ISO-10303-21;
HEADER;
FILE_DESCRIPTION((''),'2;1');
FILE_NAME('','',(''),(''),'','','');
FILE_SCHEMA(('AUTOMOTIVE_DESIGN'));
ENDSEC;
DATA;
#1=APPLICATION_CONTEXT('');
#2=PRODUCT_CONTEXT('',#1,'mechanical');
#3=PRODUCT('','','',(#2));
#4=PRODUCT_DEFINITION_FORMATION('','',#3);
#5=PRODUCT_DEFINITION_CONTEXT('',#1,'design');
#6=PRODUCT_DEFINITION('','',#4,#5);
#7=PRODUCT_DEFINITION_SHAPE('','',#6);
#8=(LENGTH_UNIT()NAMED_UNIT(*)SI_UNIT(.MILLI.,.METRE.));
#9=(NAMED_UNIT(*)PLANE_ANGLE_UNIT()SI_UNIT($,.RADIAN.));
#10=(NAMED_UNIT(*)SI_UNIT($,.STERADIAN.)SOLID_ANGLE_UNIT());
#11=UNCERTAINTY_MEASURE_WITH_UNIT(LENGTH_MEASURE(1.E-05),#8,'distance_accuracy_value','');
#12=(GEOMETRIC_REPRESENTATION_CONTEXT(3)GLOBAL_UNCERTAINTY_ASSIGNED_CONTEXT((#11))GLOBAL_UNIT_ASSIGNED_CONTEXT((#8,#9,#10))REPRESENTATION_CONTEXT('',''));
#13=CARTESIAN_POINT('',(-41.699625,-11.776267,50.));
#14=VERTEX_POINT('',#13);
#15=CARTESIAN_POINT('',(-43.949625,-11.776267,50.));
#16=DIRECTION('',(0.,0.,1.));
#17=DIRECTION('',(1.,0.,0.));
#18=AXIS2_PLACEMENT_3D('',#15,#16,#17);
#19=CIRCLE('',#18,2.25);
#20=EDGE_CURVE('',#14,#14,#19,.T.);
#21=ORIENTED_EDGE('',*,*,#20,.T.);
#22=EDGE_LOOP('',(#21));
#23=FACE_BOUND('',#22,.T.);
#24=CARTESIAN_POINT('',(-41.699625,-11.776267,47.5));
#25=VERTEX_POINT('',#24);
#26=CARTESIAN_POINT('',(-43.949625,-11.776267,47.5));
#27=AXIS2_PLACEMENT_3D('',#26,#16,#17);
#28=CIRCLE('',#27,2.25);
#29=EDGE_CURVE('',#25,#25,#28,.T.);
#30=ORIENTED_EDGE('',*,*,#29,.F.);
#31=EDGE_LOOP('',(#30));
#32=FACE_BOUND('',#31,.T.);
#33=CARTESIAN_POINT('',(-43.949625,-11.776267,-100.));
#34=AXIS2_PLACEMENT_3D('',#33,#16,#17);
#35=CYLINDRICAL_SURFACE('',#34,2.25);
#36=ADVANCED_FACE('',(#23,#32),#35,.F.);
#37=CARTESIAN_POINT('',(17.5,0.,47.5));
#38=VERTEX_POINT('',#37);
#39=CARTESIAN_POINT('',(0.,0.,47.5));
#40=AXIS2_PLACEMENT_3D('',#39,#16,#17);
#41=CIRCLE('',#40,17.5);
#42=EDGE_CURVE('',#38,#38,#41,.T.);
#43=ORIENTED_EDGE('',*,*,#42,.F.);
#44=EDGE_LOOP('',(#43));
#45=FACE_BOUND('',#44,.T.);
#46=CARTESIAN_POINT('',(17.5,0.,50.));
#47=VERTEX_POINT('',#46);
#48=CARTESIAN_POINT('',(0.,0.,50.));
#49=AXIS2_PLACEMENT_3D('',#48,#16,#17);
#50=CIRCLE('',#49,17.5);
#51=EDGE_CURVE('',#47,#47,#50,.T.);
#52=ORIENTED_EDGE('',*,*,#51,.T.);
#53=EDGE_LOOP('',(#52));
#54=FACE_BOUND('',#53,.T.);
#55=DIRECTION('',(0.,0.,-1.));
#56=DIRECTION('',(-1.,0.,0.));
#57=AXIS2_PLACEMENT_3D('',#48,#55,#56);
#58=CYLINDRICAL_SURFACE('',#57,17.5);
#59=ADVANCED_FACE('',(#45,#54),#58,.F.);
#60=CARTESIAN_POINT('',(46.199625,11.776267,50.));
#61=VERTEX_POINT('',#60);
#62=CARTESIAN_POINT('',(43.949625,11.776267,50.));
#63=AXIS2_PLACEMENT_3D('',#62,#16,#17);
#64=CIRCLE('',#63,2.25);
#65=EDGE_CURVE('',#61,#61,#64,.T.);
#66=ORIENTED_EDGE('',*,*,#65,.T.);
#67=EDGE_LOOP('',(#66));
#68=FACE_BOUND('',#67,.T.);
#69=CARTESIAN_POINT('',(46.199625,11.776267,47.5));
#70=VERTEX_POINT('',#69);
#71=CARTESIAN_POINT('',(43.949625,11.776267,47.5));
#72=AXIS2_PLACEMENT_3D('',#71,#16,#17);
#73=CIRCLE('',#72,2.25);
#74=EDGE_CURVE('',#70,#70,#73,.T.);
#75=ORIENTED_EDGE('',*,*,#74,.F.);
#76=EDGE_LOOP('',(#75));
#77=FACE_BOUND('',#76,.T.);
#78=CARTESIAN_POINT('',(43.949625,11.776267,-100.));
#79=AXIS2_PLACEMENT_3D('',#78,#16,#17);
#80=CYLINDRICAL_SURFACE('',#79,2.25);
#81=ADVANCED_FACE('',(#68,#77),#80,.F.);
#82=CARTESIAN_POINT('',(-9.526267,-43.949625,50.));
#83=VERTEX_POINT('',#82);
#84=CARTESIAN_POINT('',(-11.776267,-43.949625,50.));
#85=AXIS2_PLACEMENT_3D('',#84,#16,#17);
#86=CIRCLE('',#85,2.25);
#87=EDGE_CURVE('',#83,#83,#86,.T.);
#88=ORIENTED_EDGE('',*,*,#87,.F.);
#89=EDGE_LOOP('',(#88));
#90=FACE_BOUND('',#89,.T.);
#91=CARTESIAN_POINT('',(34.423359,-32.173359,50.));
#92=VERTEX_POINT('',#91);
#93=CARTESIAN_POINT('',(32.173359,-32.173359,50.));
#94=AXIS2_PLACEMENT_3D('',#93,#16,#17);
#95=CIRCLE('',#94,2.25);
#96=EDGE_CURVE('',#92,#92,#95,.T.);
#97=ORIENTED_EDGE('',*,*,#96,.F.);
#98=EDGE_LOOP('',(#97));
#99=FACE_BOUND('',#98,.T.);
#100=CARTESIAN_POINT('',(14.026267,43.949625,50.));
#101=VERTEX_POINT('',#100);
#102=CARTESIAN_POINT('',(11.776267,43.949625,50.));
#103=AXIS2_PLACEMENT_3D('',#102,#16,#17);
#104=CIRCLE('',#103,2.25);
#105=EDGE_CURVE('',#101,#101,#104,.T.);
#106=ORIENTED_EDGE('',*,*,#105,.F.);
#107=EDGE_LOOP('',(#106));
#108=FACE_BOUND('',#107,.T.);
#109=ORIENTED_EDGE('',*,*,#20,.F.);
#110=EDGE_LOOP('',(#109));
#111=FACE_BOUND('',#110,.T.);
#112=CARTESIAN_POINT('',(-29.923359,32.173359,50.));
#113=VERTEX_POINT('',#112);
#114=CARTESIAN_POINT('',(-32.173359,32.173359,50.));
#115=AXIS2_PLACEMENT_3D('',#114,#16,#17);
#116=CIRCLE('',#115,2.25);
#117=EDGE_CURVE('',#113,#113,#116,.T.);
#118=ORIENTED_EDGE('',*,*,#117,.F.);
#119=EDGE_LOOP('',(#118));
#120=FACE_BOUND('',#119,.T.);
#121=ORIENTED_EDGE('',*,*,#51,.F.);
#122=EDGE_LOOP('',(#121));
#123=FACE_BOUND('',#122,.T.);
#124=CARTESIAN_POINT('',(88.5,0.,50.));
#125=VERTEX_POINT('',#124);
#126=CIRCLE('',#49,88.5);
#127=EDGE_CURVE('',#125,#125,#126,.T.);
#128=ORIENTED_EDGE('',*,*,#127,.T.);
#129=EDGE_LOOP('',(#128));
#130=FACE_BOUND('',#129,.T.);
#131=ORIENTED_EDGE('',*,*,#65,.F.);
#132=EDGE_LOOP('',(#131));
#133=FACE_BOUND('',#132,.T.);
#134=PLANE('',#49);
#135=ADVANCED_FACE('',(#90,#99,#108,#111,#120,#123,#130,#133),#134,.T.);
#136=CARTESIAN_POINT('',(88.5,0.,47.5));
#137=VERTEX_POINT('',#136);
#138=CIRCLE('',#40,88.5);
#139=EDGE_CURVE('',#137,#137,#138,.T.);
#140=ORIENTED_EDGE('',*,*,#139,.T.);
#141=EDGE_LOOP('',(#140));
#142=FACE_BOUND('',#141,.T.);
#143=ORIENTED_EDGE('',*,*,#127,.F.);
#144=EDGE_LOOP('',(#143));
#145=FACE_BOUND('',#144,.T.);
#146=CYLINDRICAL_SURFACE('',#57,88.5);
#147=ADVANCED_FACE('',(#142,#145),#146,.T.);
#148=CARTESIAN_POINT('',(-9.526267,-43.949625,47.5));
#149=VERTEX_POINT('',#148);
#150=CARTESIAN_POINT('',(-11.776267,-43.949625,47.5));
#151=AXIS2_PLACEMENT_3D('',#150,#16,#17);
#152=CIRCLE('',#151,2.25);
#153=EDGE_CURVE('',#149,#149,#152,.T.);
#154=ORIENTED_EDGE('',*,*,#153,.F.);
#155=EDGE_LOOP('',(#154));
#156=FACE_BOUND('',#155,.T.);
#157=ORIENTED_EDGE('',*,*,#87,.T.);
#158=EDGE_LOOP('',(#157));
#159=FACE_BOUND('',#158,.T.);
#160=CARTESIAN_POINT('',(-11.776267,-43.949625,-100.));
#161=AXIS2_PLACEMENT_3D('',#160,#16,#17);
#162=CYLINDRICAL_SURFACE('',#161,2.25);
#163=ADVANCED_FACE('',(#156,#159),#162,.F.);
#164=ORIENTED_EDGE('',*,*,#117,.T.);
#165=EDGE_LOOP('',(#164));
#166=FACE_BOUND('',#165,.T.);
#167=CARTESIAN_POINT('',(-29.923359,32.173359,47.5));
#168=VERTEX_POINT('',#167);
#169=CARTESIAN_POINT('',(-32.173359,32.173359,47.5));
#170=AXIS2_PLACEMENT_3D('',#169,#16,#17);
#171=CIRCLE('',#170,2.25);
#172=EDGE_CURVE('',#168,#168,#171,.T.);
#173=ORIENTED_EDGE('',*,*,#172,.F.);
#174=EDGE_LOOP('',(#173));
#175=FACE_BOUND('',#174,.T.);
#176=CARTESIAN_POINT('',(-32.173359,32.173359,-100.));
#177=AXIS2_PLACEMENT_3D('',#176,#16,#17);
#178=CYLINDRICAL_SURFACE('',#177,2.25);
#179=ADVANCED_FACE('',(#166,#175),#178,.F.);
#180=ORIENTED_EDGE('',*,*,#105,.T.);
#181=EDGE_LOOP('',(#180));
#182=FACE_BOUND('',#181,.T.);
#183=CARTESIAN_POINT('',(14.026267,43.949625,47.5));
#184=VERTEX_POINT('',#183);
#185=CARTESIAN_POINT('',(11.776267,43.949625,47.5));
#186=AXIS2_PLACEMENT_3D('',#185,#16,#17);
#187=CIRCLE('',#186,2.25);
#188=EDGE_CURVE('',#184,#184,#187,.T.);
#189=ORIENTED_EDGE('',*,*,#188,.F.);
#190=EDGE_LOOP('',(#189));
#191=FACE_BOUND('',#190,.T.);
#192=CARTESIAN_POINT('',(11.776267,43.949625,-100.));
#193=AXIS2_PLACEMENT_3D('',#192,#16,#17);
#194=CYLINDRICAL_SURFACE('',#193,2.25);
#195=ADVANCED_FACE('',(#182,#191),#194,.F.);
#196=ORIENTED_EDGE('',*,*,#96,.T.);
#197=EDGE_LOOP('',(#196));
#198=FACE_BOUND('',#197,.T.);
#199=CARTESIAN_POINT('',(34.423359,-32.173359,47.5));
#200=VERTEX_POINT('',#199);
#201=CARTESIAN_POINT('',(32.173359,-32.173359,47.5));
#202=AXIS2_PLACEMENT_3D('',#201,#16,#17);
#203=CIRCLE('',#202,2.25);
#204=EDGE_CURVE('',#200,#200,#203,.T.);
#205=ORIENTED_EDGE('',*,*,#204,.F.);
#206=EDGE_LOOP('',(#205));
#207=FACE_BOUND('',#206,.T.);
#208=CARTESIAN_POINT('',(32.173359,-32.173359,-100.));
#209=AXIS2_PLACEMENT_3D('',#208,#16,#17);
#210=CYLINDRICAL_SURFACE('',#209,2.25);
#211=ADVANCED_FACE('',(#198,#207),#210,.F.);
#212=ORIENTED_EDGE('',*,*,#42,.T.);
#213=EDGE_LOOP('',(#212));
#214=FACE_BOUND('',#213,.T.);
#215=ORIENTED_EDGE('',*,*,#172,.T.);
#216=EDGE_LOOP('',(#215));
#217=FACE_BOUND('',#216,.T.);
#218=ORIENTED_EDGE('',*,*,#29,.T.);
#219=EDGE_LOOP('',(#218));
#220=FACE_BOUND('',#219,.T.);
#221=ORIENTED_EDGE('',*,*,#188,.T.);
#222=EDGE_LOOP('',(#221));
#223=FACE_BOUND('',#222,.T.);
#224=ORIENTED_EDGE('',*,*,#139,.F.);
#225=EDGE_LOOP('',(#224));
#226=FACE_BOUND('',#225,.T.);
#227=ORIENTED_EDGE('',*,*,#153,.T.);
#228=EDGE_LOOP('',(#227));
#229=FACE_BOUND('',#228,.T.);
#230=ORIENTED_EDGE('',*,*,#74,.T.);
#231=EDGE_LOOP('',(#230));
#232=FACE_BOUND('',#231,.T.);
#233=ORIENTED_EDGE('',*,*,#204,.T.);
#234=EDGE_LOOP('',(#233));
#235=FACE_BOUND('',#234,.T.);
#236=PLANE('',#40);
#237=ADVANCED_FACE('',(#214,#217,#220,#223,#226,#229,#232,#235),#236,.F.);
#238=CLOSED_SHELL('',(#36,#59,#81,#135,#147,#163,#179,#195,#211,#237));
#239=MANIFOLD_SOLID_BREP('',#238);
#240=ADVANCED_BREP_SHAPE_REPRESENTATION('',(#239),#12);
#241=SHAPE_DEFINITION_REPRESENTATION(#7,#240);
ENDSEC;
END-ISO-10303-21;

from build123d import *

# Parameters (mm, degrees)
FRONT_COVER_REFERENCE_START = 47.5
SKETCH_1_R                  = 88.5
SKETCH_1_R_2                = 17.5
FRONT_COVER_REFERENCE_DEPTH = 2.5
SKETCH_2_R                  = 2.25
THROUGH_HOLES_DEPTH         = 100


with BuildPart() as part:
    # Эскиз1 → Front_cover_reference (new body)
    with BuildSketch(Plane.XY.offset(FRONT_COVER_REFERENCE_START)):
        Circle(SKETCH_1_R)
        Circle(SKETCH_1_R_2, mode=Mode.SUBTRACT)
    extrude(amount=FRONT_COVER_REFERENCE_DEPTH)

    # Эскиз2 → Through_holes (cut, symmetric)
    with BuildSketch(Plane.XY):
        with Locations((43.949625096, 11.776266552)):
            Circle(SKETCH_2_R)
        with Locations((11.776266552, 43.949625096)):
            Circle(SKETCH_2_R)
        with Locations((-32.173358544, 32.173358544)):
            Circle(SKETCH_2_R)
        with Locations((-43.949625096, -11.776266552)):
            Circle(SKETCH_2_R)
        with Locations((-11.776266552, -43.949625096)):
            Circle(SKETCH_2_R)
        with Locations((32.173358544, -32.173358544)):
            Circle(SKETCH_2_R)
    extrude(amount=THROUGH_HOLES_DEPTH, both=True, mode=Mode.SUBTRACT)


solid = part.part
